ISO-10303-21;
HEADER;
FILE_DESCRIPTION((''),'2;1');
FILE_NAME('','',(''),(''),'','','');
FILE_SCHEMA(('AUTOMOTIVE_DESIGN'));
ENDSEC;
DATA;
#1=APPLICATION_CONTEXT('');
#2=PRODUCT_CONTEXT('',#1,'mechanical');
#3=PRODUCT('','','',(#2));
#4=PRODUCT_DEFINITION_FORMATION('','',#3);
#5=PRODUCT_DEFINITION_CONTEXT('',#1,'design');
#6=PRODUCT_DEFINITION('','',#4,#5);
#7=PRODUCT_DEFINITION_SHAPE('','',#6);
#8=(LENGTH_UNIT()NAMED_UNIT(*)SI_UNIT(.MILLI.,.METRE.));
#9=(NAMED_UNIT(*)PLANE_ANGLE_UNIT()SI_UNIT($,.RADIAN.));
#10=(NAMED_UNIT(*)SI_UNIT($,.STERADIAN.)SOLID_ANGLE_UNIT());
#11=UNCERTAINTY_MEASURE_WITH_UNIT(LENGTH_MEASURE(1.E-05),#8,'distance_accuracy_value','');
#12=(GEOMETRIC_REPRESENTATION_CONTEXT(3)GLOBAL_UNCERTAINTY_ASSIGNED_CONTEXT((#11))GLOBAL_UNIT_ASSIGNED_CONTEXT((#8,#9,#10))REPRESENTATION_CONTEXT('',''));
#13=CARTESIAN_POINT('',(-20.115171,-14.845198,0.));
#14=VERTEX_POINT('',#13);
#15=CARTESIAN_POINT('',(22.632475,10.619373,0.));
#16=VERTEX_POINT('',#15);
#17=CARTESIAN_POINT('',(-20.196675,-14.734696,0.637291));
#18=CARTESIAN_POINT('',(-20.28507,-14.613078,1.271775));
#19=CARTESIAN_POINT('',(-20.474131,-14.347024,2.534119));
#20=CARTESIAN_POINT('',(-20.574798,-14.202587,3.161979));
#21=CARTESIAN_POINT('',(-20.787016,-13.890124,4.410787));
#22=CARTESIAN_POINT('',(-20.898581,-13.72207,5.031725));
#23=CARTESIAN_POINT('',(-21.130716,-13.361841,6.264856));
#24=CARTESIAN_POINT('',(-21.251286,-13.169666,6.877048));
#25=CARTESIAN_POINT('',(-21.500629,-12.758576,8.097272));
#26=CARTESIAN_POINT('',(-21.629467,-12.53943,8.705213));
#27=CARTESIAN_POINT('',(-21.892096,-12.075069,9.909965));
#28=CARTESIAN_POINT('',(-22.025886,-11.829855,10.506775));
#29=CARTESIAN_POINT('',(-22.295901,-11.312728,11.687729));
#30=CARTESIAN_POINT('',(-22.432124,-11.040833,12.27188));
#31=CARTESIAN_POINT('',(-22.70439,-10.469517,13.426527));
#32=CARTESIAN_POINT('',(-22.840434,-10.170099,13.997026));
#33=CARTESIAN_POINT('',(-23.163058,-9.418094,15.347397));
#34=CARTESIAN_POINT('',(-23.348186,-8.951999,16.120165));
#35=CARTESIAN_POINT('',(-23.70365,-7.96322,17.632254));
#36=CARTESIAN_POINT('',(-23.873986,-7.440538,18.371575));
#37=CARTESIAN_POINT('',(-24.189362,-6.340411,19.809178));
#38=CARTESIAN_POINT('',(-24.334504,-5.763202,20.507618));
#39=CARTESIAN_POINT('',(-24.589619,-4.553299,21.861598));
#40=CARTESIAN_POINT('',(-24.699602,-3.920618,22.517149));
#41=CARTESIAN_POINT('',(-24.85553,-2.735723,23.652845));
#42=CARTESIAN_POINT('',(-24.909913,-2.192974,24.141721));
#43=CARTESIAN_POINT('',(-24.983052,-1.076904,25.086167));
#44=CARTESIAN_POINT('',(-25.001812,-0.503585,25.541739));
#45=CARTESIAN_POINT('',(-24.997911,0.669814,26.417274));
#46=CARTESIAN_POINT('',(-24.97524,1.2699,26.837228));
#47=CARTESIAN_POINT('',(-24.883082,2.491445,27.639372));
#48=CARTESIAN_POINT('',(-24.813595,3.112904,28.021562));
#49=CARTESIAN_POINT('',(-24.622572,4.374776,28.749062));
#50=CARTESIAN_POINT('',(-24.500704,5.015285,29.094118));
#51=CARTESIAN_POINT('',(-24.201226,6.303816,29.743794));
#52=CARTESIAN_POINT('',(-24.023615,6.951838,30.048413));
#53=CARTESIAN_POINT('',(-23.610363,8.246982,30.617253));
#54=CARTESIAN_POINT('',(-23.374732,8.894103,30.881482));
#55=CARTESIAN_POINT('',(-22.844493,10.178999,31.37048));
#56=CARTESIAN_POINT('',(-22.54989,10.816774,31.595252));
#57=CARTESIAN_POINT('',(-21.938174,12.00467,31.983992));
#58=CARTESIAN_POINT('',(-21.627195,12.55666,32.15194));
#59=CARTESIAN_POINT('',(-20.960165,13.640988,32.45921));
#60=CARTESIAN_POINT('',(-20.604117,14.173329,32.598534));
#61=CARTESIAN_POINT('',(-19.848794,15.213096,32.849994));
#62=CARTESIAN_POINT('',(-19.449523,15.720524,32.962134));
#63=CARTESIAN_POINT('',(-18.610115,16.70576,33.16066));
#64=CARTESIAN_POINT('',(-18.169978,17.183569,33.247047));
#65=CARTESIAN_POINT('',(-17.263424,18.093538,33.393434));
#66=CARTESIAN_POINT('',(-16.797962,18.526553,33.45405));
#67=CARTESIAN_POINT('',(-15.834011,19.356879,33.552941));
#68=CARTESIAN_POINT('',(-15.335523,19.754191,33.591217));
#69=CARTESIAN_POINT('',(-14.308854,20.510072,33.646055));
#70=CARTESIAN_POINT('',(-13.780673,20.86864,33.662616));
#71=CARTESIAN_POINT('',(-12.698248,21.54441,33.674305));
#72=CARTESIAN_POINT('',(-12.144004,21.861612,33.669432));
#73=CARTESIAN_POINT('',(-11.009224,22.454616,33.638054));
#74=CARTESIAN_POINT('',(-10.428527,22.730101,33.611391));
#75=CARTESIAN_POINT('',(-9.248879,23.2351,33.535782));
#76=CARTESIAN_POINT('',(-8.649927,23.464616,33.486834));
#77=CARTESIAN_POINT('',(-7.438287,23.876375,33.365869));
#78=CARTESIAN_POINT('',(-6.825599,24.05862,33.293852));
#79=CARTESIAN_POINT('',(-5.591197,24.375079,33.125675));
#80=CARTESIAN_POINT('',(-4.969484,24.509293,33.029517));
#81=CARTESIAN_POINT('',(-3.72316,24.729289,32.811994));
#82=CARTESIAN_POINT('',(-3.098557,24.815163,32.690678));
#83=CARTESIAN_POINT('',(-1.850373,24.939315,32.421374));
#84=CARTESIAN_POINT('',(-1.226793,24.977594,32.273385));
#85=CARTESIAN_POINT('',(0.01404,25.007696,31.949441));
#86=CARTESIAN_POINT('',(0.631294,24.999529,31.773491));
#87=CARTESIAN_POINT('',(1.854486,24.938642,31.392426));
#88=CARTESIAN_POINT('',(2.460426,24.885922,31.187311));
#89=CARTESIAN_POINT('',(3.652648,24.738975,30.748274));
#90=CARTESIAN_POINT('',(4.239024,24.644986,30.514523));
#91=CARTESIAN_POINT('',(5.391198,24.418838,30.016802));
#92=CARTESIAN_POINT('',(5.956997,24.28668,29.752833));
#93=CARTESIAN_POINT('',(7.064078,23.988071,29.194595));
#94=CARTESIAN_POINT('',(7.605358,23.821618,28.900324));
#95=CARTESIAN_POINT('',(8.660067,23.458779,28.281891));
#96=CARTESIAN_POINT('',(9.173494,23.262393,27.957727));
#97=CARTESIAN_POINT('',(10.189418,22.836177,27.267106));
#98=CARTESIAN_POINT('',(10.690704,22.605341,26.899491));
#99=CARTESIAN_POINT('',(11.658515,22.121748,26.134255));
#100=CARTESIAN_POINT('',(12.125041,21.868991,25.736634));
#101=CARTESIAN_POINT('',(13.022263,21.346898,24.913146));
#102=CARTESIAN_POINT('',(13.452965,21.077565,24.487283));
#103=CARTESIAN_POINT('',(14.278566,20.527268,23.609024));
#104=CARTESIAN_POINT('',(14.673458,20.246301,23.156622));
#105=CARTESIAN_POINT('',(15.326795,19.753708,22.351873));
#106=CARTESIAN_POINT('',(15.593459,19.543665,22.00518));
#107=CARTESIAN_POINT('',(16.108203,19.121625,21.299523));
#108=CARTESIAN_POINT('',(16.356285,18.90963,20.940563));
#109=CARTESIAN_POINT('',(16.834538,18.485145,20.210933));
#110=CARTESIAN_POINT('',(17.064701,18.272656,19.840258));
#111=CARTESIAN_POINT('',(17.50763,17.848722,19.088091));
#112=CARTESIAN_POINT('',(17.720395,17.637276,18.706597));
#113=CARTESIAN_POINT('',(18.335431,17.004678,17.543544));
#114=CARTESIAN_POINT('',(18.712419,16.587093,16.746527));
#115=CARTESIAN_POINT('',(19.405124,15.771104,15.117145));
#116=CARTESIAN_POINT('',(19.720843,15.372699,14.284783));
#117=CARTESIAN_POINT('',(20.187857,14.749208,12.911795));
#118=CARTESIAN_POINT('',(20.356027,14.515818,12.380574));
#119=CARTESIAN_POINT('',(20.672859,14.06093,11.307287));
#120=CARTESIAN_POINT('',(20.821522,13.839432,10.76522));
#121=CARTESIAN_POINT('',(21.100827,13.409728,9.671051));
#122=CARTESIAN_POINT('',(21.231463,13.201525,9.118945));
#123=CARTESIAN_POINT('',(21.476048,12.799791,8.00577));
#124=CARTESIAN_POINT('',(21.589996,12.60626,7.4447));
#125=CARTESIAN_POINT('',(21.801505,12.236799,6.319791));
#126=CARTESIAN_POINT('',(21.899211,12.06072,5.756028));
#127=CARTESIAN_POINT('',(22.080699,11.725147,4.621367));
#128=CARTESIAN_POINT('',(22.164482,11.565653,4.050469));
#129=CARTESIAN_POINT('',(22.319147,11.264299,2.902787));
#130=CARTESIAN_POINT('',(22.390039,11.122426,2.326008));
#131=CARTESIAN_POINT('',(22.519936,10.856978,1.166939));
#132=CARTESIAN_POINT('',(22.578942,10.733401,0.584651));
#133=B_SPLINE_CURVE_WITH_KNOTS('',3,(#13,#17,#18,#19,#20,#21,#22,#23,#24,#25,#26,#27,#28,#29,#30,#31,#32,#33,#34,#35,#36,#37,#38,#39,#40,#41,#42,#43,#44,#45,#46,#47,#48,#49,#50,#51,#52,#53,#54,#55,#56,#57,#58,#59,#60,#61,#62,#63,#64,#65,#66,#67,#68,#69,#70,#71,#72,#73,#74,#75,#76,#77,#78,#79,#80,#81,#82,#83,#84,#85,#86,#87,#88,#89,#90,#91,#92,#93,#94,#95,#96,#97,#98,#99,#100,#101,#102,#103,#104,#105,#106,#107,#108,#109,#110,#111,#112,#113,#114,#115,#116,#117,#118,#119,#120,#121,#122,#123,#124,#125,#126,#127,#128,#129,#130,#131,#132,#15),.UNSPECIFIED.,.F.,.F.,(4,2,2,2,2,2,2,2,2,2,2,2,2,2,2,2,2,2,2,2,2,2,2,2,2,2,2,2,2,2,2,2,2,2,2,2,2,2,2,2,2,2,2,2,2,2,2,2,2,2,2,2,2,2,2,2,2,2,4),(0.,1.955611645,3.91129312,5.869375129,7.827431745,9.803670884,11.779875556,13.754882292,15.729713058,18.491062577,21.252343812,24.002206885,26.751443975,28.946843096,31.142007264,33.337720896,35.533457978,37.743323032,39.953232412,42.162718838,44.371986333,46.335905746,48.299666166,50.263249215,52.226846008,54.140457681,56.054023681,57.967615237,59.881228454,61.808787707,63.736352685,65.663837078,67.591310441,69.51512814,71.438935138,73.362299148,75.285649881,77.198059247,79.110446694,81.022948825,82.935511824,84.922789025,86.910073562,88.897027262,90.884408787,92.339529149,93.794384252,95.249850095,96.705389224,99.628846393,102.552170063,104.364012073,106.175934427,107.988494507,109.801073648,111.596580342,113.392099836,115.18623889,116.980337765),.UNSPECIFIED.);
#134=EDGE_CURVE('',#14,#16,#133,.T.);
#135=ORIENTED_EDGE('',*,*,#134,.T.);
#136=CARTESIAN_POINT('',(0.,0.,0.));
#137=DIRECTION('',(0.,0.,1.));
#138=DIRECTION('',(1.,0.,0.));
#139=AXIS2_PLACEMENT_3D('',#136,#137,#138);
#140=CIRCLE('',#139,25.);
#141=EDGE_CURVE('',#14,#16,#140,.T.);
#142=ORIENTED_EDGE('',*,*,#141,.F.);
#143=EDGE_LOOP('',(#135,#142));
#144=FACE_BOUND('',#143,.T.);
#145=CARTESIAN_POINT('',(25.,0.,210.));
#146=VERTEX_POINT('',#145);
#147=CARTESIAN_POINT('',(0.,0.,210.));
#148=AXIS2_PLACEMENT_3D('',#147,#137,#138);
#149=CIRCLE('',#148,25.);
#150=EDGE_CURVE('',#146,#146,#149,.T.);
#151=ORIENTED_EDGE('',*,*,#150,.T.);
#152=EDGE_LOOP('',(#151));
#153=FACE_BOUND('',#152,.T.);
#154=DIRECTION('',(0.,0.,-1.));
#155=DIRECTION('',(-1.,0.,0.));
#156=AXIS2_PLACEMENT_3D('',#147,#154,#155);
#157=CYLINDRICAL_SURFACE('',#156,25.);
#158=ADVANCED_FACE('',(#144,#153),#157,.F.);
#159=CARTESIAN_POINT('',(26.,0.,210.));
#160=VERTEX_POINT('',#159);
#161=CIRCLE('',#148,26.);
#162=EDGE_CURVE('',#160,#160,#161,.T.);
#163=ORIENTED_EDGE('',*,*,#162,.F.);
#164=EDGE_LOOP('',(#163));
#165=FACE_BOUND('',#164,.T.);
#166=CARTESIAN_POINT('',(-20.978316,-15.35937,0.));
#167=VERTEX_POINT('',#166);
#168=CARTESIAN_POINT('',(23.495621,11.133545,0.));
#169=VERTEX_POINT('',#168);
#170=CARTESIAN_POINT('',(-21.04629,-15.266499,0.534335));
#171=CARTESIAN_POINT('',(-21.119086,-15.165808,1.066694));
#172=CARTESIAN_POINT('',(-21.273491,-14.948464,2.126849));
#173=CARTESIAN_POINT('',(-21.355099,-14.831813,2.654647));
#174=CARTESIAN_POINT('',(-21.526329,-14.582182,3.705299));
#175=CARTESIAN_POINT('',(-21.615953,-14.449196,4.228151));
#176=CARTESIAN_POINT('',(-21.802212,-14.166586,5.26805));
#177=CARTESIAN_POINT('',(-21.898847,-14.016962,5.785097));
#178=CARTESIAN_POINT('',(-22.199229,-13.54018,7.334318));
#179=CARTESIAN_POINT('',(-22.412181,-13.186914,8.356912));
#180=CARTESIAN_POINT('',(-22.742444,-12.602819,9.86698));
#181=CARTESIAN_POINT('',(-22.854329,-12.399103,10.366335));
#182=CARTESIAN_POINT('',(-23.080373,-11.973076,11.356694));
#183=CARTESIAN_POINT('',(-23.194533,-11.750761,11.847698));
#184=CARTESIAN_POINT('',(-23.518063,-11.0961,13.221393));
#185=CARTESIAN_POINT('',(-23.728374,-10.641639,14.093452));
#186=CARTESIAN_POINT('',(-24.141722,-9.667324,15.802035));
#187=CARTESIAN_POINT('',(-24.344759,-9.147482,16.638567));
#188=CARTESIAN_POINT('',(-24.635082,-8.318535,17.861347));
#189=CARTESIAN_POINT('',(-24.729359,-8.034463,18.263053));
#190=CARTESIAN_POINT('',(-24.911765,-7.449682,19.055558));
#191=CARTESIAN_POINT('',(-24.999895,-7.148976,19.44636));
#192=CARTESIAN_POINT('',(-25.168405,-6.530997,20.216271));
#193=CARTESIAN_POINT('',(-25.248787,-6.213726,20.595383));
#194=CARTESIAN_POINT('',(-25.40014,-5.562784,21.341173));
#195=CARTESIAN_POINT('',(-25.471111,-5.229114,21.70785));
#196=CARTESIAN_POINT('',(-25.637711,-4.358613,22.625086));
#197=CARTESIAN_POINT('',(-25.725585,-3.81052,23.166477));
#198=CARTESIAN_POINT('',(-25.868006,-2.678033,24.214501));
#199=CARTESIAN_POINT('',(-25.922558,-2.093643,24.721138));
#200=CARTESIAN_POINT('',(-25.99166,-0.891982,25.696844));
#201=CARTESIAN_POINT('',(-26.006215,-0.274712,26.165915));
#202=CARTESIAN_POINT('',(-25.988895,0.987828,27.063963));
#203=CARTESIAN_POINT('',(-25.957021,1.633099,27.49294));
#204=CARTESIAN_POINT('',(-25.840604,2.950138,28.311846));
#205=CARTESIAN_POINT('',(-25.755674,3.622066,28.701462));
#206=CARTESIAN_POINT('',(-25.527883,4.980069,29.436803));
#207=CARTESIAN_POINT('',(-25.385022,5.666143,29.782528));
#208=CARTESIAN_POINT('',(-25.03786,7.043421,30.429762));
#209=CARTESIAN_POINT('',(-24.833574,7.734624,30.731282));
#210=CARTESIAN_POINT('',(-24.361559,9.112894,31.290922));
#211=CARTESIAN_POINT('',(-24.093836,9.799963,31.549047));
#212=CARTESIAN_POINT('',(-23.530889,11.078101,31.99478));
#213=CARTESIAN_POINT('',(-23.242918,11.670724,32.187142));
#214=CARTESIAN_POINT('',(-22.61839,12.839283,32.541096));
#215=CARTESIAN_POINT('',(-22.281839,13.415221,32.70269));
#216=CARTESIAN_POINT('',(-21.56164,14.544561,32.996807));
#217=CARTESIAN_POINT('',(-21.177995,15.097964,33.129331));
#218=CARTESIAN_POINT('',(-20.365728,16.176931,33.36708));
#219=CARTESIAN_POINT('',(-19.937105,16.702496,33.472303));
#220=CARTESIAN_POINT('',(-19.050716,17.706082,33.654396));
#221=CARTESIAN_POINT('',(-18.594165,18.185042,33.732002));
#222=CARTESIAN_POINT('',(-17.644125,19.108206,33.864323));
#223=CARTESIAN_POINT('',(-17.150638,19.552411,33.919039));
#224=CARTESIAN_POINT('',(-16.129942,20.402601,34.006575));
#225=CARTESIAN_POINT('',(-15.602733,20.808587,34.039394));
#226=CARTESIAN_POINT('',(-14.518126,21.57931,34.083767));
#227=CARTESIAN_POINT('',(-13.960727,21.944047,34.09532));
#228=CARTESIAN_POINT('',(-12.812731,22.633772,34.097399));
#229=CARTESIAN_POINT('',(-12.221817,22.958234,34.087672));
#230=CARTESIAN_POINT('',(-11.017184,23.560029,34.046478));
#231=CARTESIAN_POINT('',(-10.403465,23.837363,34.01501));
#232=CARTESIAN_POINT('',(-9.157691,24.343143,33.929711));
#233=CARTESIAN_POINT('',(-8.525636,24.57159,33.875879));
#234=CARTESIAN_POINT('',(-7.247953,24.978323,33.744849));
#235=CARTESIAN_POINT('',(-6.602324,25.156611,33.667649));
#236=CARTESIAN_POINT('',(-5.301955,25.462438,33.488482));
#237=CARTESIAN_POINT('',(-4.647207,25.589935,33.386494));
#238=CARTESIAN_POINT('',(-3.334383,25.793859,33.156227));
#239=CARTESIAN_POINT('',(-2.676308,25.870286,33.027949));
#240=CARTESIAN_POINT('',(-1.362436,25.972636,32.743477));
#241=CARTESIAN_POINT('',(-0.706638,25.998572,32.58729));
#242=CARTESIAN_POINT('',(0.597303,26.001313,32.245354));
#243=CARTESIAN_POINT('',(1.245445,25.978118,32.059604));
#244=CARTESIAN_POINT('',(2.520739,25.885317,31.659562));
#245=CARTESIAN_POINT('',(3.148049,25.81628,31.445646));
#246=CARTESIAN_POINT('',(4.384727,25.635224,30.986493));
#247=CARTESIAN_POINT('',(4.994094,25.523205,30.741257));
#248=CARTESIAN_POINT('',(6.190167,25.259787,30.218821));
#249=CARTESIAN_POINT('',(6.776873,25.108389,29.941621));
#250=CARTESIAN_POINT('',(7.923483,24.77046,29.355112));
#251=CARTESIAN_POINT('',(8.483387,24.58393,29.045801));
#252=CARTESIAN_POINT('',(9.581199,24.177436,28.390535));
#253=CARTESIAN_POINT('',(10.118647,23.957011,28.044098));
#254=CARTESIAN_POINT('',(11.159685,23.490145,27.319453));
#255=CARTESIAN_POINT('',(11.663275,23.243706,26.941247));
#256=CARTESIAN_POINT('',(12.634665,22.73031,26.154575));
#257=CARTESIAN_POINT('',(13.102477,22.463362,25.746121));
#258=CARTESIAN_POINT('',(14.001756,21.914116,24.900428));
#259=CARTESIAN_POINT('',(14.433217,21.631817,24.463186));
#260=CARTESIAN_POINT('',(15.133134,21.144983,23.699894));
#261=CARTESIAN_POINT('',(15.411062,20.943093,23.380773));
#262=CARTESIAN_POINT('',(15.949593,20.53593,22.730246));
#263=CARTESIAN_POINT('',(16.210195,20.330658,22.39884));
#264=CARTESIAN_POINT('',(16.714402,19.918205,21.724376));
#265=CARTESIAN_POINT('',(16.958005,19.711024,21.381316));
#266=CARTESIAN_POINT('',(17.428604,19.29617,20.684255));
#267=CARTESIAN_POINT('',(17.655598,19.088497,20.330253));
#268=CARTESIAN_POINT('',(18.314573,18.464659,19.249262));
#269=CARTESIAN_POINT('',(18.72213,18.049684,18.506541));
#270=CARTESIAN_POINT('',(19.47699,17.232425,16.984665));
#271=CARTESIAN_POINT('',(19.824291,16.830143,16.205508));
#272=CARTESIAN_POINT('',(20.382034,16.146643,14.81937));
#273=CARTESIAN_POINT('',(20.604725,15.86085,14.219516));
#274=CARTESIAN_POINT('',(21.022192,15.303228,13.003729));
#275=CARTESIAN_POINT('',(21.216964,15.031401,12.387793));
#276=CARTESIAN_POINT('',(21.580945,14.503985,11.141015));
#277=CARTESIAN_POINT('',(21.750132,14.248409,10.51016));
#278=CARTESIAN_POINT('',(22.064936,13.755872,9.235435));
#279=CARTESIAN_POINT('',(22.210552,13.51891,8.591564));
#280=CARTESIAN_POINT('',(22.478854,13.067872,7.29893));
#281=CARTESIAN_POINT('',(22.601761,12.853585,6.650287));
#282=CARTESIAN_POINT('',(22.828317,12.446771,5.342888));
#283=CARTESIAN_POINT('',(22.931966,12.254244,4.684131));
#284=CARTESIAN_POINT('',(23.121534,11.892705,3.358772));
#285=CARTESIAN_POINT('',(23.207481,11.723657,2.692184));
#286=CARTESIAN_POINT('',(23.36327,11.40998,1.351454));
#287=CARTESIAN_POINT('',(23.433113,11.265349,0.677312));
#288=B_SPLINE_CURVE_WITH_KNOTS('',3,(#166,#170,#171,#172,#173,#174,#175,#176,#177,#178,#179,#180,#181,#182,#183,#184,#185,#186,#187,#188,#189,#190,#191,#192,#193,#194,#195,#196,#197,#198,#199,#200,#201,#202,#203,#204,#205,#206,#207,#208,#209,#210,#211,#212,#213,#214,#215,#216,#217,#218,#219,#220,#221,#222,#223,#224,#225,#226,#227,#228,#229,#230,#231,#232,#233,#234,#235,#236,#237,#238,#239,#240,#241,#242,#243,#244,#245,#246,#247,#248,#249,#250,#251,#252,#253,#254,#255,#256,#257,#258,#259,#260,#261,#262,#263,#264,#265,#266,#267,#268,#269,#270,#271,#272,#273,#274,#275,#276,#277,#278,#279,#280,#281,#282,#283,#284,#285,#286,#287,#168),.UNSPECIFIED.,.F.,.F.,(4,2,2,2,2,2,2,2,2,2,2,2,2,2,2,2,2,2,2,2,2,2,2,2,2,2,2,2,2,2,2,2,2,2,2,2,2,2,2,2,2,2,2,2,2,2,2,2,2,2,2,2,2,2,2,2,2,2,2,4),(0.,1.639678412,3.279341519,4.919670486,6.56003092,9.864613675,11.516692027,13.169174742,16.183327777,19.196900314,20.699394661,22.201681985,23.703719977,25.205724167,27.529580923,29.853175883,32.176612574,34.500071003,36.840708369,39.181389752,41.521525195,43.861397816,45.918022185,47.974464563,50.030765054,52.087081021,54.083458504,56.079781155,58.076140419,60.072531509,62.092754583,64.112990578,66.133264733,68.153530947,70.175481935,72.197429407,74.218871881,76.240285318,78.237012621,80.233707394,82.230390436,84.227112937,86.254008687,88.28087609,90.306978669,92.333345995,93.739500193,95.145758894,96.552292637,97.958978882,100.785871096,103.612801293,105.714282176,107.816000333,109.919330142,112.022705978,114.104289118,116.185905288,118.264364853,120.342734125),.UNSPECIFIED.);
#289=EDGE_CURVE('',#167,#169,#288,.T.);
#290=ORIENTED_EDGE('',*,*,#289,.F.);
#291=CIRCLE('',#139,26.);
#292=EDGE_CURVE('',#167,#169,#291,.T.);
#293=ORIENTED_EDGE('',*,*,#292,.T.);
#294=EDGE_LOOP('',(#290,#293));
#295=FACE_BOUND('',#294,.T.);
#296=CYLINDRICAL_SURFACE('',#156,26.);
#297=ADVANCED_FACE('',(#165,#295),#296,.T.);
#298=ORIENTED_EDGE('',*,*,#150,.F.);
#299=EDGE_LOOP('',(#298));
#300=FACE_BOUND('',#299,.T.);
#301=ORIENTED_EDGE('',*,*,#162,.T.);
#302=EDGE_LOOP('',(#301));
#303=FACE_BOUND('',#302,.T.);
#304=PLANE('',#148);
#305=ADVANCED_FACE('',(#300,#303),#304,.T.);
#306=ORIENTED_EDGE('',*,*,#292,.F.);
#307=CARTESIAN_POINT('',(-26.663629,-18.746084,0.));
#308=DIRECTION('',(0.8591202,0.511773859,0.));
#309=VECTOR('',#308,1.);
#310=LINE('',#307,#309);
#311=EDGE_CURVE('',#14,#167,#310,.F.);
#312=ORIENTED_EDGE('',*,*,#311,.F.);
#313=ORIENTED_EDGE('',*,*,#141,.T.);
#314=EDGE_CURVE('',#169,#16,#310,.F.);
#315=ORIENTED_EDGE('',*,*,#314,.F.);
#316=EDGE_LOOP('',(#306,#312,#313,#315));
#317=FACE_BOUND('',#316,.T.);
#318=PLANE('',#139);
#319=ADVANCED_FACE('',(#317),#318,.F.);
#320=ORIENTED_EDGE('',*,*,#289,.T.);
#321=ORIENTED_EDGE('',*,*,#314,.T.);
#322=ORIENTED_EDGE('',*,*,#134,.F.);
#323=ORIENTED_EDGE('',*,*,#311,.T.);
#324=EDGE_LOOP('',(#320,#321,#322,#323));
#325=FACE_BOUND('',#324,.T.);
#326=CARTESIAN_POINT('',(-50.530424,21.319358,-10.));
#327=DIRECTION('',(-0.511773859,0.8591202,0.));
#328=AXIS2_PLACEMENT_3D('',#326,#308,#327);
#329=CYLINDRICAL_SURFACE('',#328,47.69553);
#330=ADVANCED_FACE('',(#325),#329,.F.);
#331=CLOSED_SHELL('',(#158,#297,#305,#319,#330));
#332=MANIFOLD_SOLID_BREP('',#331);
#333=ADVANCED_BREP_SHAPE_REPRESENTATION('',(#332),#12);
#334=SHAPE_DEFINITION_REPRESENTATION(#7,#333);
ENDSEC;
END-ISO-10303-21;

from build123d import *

# Parameters (mm, degrees)
ESQUISSE1_R             = 26
ESQUISSE1_R_2           = 25
BOSS_EXTRU_1_DEPTH      = 210
ESQUISSE5_R             = 47.695529837
ENL_V_MAT_EXTRU_1_DEPTH = 60


with BuildPart() as part:
    # Esquisse1 → Boss.-Extru.1 (new body)
    with BuildSketch(Plane.XY):
        Circle(ESQUISSE1_R)
        Circle(ESQUISSE1_R_2, mode=Mode.SUBTRACT)
    extrude(amount=BOSS_EXTRU_1_DEPTH)

    # Esquisse5 → Enlèv. mat.-Extru.1 (cut)
    with BuildSketch(Plane(origin=(23.624930764, 14.073260048, 0), x_dir=(0, 0, 1), z_dir=(-0.8591201996284968, -0.5117738588383465, 0))):
        with Locations((-10, 44.176041201)):
            Circle(ESQUISSE5_R)
    extrude(amount=ENL_V_MAT_EXTRU_1_DEPTH, mode=Mode.SUBTRACT)


solid = part.part
